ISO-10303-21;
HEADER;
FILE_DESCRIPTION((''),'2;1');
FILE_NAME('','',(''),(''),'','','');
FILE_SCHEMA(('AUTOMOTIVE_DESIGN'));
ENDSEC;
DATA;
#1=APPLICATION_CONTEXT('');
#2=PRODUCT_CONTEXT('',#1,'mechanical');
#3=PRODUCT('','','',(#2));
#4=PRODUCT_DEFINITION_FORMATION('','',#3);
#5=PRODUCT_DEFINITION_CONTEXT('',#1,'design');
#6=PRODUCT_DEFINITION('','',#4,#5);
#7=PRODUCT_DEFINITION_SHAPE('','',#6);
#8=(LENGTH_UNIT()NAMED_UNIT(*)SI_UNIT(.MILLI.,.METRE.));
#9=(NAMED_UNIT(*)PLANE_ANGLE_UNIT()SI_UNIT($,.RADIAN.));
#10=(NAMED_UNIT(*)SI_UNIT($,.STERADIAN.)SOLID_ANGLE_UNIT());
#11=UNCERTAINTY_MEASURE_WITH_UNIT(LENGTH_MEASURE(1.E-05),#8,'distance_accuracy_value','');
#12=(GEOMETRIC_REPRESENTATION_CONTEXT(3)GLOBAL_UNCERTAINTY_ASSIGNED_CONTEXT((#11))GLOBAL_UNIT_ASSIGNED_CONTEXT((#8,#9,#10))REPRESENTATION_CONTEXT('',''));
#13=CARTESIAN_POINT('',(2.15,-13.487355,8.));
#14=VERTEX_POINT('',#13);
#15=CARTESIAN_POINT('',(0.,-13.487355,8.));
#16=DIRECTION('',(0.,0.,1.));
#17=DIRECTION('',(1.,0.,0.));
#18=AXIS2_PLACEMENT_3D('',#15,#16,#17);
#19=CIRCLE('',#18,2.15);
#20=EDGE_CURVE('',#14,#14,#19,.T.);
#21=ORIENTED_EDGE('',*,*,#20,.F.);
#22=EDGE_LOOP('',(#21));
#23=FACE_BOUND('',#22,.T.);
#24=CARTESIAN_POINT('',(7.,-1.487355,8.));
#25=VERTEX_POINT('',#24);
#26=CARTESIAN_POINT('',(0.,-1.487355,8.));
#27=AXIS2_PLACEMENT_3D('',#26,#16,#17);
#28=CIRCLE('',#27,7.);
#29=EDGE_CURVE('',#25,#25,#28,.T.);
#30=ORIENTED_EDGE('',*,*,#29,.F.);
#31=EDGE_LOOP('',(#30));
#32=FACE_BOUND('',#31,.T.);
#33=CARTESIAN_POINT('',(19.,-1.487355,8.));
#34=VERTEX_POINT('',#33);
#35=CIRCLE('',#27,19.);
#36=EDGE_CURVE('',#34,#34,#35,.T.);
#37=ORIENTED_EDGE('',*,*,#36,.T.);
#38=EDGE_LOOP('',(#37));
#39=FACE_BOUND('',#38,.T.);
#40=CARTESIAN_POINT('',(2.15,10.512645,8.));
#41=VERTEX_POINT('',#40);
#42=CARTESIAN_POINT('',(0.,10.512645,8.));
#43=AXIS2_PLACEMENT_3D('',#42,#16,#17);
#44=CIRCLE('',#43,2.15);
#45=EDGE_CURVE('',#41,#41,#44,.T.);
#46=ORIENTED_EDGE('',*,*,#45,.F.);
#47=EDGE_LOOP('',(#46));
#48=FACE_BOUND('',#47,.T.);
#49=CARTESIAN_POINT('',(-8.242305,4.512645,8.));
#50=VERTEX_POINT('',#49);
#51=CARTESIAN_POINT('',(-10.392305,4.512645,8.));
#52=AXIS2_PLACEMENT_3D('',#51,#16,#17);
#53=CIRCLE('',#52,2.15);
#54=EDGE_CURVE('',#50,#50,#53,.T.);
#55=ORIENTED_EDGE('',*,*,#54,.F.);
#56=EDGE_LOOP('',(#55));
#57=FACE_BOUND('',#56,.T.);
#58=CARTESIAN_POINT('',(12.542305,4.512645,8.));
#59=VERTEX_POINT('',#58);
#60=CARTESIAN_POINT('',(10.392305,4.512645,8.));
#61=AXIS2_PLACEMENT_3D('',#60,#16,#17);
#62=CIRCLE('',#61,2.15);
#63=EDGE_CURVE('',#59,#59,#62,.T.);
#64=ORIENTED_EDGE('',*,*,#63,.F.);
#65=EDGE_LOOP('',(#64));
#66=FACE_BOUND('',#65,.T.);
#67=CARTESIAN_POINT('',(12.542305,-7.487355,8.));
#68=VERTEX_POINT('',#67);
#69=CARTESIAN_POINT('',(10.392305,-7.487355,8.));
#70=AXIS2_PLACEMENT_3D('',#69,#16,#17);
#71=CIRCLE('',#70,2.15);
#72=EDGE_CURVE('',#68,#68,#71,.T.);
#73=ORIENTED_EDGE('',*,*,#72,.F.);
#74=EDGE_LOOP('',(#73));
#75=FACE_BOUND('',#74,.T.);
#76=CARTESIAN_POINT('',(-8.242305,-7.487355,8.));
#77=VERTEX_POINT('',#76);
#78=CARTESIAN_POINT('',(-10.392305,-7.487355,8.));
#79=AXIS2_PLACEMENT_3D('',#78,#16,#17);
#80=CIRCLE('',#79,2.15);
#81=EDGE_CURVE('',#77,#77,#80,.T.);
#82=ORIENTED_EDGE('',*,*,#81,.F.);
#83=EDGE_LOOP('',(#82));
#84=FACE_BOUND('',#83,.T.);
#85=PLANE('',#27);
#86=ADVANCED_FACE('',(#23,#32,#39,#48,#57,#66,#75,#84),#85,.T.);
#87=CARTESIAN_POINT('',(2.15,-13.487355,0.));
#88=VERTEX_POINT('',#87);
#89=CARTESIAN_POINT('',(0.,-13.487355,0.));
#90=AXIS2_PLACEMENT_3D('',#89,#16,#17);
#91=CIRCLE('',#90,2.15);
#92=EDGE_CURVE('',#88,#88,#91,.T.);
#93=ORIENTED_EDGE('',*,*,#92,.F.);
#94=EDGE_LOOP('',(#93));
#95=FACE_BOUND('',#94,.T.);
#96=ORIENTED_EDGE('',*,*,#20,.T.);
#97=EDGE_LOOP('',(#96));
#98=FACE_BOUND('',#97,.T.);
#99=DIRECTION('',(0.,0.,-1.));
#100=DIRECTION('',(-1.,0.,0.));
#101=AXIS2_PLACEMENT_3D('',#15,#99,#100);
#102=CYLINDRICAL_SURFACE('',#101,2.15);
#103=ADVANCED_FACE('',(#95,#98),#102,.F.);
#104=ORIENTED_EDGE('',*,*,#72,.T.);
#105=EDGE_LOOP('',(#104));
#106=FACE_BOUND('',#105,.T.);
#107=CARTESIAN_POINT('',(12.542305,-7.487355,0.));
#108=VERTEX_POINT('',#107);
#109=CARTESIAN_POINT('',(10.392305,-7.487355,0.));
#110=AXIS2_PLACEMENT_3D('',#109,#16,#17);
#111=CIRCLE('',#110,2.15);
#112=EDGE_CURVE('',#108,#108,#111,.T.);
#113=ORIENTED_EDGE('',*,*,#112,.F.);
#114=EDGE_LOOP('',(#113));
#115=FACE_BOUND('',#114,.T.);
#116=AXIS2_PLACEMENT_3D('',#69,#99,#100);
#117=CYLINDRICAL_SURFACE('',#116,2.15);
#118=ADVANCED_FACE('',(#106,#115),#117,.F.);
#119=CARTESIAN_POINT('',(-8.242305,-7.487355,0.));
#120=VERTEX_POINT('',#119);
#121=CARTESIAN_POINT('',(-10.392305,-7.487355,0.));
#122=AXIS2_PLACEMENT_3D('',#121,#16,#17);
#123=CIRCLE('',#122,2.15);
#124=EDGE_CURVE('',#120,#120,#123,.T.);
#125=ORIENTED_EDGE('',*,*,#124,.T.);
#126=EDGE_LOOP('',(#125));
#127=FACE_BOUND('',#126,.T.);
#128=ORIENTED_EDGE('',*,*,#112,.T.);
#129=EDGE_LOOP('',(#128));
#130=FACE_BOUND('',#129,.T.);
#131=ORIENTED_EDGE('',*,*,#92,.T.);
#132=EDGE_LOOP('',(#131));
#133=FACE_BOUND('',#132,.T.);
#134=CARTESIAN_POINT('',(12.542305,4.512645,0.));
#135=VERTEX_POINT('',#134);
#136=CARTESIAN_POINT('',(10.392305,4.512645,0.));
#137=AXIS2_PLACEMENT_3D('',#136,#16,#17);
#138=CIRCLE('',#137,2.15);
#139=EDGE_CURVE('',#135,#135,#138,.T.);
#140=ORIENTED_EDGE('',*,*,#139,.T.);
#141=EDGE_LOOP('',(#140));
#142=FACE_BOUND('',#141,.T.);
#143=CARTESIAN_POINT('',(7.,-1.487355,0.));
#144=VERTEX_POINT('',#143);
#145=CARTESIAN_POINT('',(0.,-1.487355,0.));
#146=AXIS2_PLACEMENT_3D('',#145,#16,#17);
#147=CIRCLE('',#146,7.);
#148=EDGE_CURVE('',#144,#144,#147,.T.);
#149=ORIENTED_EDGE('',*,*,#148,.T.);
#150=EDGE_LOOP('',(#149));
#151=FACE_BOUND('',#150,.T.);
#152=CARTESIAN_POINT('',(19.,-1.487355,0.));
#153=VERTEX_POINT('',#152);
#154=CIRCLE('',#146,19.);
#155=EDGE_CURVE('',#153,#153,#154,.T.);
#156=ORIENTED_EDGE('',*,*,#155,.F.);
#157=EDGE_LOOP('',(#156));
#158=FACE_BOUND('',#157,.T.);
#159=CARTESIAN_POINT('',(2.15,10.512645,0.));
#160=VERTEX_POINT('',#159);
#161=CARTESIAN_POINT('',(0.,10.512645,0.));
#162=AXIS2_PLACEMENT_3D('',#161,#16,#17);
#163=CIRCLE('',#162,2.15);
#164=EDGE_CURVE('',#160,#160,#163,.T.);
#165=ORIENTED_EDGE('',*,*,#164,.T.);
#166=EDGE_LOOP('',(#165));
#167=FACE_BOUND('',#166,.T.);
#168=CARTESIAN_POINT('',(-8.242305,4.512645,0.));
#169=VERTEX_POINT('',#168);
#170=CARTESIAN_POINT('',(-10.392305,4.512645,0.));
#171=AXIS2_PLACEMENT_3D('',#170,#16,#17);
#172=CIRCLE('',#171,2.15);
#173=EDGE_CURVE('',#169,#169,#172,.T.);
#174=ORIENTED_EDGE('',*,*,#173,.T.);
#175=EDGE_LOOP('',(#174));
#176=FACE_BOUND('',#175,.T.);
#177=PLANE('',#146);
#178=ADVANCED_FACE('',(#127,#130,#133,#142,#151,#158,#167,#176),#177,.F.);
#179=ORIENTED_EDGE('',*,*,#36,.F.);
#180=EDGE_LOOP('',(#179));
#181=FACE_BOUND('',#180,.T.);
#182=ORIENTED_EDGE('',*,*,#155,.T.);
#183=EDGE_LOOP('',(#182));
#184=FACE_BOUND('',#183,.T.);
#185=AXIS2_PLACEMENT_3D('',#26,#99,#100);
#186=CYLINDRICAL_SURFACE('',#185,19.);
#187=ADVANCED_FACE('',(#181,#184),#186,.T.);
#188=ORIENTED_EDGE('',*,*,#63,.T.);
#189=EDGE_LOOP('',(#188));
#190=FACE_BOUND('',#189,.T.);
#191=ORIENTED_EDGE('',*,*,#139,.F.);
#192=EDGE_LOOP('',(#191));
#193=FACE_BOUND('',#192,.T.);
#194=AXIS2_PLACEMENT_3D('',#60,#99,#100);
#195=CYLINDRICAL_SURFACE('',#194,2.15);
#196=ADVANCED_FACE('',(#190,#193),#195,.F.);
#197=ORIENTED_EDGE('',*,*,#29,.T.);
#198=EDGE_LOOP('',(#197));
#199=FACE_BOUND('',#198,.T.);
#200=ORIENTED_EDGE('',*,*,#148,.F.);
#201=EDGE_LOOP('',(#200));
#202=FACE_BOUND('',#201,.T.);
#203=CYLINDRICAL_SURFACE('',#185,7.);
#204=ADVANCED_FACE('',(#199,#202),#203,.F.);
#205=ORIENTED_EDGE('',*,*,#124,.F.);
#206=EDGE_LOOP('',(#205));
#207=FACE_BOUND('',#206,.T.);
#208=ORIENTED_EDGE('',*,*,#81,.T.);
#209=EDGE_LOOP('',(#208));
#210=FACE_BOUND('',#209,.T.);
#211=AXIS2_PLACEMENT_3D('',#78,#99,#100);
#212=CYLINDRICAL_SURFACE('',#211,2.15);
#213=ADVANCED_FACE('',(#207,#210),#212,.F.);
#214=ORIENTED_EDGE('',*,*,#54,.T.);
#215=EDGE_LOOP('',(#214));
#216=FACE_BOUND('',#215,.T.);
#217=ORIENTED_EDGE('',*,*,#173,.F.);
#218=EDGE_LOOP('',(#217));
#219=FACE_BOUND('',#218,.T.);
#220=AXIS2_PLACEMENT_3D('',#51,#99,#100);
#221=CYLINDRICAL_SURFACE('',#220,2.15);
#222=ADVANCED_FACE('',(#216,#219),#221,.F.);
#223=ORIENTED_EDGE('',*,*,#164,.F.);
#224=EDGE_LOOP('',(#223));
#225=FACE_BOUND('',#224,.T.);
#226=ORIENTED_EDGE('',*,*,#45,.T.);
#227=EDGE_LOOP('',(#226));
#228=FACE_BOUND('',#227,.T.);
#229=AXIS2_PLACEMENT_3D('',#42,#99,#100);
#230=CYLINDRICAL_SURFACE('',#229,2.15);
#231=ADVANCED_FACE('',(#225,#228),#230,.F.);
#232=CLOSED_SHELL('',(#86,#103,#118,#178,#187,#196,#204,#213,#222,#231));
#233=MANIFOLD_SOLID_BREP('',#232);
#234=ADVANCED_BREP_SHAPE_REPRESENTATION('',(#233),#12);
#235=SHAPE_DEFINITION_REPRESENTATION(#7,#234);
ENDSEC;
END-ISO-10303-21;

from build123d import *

# Parameters (mm, degrees)
SKETCH_1_R      = 19
SKETCH_1_R_2    = 7
SKETCH_1_R_3    = 2.15
EXTRUDE_1_DEPTH = 8


with BuildPart() as part:
    # 草图1 → 凸台-拉伸1 (new body)
    with BuildSketch(Plane.XY):
        with Locations((0, -1.487354696)):
            Circle(SKETCH_1_R)
        with Locations((0, -1.487354696)):
            Circle(SKETCH_1_R_2, mode=Mode.SUBTRACT)
        with Locations((0, 10.512645304)):
            Circle(SKETCH_1_R_3, mode=Mode.SUBTRACT)
        with Locations((10.392304845, 4.512645304)):
            Circle(SKETCH_1_R_3, mode=Mode.SUBTRACT)
        with Locations((10.392304845, -7.487354696)):
            Circle(SKETCH_1_R_3, mode=Mode.SUBTRACT)
        with Locations((0, -13.487354696)):
            Circle(SKETCH_1_R_3, mode=Mode.SUBTRACT)
        with Locations((-10.392304845, -7.487354696)):
            Circle(SKETCH_1_R_3, mode=Mode.SUBTRACT)
        with Locations((-10.392304845, 4.512645304)):
            Circle(SKETCH_1_R_3, mode=Mode.SUBTRACT)
    extrude(amount=EXTRUDE_1_DEPTH)


solid = part.part
